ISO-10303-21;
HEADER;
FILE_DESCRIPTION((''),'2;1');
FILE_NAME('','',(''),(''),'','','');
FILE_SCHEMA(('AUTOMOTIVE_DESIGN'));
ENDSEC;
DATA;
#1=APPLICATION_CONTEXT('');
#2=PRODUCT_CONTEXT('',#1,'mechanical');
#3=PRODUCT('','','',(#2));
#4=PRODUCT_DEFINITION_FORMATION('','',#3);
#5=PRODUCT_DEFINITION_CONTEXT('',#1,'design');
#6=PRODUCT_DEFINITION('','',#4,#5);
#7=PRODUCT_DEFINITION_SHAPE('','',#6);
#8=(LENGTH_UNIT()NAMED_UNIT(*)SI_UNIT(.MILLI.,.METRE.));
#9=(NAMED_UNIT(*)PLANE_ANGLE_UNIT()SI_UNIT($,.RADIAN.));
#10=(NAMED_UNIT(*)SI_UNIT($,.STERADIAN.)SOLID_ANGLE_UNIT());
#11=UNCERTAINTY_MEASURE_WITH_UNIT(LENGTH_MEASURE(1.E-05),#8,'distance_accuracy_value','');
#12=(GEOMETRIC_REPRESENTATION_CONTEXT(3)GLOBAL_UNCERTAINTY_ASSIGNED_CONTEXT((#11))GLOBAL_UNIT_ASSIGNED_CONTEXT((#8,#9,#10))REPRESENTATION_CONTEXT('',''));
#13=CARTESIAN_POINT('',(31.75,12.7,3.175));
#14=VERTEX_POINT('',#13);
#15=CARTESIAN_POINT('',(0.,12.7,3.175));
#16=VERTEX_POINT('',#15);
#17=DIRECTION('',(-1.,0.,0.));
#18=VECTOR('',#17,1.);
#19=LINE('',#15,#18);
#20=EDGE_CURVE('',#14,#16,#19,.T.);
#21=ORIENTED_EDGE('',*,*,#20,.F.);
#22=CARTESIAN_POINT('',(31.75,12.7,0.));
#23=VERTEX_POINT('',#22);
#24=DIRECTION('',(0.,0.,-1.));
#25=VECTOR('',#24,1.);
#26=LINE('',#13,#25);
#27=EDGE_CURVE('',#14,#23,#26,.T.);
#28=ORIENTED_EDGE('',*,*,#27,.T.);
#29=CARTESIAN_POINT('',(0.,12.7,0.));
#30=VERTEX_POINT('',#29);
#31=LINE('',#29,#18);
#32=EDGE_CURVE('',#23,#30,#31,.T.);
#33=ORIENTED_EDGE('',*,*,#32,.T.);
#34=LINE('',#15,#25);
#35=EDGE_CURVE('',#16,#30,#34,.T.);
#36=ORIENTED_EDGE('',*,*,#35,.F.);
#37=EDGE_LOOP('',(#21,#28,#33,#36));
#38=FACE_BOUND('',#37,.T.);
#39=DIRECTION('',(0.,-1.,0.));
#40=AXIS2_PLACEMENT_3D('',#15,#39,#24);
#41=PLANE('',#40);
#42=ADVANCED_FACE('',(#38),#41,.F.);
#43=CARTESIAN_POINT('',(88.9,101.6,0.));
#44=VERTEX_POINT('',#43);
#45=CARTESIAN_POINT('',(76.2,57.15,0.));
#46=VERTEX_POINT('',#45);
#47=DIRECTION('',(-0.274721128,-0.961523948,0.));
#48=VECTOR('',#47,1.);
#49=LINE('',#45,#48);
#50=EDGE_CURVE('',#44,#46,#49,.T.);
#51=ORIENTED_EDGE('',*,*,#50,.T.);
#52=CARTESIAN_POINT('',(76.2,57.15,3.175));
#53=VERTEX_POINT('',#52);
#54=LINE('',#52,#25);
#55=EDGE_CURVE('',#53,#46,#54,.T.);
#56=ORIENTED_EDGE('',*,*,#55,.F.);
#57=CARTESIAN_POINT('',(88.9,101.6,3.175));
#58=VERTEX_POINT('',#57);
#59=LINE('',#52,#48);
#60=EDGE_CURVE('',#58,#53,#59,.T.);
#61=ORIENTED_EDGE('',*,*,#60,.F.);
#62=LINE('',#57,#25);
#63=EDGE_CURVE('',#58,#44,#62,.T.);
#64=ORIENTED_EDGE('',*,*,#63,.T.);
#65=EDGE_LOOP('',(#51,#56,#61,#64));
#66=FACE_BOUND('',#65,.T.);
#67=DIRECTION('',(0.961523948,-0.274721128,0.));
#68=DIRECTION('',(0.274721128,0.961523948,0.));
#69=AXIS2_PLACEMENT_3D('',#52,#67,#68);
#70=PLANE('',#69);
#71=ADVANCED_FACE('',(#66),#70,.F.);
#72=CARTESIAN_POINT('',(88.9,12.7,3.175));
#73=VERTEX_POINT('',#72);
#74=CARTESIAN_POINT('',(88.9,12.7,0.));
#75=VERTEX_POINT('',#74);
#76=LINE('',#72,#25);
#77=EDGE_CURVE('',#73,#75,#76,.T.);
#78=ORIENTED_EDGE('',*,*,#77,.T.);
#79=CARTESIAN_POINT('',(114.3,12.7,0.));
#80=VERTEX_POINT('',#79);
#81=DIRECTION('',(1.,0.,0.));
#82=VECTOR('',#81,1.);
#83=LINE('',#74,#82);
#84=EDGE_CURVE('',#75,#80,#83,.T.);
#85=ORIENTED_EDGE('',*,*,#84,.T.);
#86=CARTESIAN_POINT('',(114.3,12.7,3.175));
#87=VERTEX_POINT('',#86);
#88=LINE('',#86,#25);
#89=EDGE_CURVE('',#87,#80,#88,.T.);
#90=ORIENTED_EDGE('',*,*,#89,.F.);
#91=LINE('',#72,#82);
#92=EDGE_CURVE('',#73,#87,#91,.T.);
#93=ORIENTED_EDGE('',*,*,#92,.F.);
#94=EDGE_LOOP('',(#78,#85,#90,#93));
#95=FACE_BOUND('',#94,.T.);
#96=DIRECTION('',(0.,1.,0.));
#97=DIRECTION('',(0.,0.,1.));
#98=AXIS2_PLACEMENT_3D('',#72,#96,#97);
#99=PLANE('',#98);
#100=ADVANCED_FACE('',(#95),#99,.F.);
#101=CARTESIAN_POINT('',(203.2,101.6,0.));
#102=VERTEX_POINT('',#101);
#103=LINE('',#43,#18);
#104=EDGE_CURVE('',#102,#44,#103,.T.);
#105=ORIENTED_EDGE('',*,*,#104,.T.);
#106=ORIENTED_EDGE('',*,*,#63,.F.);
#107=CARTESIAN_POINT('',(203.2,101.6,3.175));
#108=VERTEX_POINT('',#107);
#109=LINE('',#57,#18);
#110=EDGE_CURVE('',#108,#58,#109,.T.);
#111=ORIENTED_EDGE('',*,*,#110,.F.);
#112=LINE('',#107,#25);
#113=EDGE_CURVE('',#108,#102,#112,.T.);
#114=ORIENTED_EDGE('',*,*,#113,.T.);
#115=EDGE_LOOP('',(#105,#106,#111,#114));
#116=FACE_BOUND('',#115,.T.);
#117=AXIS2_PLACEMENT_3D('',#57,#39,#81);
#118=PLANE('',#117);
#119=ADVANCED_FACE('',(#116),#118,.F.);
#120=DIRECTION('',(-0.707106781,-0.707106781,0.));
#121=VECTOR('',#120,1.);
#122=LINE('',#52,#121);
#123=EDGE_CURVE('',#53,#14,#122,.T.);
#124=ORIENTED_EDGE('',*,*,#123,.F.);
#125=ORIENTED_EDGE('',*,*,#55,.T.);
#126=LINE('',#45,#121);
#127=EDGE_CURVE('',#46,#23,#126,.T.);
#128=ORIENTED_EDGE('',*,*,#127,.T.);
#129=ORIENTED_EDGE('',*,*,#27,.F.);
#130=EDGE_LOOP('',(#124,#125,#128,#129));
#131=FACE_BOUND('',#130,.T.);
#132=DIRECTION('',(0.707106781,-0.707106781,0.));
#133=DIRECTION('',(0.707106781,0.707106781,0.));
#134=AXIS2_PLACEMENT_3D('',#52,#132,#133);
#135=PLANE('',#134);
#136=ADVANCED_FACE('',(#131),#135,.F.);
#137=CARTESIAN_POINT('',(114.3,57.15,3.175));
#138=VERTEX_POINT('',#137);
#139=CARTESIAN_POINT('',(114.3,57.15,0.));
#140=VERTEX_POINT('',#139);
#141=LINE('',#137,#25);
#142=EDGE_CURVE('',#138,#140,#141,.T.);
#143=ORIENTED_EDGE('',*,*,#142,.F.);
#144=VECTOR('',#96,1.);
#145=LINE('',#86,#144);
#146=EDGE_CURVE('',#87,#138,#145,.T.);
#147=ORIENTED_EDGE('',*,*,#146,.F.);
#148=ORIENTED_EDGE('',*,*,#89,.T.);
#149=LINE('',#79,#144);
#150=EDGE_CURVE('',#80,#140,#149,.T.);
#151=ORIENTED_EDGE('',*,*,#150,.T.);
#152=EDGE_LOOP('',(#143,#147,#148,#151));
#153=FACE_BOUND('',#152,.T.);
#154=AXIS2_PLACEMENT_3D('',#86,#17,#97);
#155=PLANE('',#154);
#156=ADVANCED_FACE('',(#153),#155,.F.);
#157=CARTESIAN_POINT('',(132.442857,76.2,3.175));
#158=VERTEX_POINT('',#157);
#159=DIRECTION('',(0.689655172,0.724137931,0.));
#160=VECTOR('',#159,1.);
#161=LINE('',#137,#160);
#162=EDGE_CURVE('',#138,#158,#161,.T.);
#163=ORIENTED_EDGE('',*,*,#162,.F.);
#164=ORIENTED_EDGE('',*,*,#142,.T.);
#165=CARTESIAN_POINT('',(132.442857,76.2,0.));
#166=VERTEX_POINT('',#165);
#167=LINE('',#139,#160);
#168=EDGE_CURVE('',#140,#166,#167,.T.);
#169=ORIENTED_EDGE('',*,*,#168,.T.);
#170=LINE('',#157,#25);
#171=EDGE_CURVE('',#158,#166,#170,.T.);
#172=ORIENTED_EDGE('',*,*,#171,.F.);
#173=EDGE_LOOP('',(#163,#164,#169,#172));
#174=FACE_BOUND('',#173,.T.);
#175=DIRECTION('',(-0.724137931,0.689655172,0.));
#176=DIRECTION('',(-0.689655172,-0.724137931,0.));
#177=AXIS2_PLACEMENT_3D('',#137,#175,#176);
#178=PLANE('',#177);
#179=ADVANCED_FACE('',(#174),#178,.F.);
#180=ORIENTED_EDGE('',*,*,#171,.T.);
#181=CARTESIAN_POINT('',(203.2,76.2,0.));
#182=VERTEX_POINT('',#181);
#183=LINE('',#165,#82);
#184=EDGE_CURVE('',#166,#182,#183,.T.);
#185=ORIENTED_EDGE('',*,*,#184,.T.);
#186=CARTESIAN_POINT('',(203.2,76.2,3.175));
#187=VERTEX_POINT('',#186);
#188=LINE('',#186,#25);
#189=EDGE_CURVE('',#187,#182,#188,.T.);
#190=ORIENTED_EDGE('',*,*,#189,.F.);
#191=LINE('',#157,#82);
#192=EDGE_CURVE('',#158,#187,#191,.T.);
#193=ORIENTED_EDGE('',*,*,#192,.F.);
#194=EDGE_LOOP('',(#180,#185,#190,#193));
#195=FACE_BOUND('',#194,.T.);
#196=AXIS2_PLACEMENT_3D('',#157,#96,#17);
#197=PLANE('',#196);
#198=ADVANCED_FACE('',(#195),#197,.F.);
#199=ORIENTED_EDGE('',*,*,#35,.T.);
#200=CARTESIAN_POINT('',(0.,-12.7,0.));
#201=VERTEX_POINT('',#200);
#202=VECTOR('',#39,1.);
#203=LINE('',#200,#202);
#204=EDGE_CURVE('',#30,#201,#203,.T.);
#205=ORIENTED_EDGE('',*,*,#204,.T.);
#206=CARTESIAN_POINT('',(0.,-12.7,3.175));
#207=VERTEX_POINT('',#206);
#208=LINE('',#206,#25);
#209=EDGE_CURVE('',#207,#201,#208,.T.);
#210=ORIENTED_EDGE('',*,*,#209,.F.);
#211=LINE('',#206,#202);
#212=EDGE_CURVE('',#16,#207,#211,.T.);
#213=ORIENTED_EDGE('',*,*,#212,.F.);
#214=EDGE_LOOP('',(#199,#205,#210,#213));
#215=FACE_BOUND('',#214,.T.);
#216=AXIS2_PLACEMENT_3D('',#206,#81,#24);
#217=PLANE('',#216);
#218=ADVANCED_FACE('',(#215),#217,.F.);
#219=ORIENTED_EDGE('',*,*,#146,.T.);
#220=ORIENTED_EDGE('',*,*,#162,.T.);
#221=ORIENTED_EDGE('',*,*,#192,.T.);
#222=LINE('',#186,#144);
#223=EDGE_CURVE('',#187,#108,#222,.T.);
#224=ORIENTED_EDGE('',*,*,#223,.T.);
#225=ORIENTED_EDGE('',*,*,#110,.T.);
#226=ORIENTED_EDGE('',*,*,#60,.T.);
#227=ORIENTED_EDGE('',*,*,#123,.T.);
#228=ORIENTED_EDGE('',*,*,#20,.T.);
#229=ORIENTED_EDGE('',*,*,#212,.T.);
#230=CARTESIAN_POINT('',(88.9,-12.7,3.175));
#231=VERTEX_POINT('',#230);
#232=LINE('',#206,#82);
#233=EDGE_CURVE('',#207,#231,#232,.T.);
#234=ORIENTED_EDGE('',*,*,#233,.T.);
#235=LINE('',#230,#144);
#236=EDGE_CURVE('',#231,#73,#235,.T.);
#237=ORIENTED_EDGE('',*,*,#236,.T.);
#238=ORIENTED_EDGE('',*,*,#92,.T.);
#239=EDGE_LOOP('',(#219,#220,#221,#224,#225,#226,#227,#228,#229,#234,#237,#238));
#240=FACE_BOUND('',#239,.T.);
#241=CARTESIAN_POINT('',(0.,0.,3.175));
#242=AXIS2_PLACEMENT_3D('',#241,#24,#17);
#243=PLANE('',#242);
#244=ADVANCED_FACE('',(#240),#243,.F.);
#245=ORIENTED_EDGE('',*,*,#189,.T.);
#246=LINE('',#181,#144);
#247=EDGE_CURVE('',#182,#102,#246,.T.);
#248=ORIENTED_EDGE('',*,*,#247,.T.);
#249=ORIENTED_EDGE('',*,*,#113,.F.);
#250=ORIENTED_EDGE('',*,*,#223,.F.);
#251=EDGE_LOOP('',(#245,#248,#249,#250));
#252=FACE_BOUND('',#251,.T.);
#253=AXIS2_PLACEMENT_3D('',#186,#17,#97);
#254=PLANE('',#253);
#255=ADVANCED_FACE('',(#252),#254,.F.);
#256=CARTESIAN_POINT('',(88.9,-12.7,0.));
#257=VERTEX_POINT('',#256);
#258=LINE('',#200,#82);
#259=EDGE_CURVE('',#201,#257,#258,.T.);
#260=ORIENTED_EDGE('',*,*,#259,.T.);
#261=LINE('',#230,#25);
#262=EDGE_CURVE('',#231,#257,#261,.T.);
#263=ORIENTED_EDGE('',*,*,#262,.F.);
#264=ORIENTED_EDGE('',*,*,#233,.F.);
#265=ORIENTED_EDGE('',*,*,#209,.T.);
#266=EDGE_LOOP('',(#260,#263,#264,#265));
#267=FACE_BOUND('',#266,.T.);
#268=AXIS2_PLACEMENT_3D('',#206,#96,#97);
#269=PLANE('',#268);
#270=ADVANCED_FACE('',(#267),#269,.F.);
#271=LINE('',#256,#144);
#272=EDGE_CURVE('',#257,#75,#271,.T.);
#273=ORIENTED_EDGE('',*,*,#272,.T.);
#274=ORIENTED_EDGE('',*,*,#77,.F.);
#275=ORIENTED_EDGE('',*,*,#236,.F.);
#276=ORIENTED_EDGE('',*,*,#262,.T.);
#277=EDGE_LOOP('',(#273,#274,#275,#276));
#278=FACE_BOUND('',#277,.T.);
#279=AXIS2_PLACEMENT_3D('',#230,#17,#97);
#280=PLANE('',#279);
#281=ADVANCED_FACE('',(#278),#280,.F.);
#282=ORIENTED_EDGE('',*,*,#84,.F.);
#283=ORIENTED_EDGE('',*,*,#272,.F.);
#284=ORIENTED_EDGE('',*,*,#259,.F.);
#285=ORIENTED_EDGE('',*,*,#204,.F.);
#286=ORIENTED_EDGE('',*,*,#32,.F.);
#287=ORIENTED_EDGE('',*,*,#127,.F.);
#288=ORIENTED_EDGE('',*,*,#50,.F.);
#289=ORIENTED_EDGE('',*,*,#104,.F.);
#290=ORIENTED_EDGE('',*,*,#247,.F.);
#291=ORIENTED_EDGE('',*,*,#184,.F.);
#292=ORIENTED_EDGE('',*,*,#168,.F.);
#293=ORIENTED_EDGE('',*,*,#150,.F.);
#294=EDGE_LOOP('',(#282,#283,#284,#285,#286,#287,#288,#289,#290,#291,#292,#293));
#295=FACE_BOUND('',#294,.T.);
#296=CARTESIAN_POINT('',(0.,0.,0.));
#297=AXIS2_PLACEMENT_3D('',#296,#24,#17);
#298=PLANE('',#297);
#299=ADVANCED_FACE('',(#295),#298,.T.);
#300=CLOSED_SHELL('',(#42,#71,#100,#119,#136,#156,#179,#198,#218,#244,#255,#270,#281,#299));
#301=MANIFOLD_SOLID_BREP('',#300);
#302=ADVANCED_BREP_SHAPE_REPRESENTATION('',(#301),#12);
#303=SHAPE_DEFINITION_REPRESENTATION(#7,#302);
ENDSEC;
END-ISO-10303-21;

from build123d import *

# Parameters (mm, degrees)
BOSS_EXTRUDE1_DEPTH = 3.175


with BuildPart() as part:
    # Sketch1 → Boss-Extrude1 (new body)
    with BuildSketch(Plane.XY):
        Polygon((0, -12.7), (88.9, -12.7), (88.9, 12.7), (114.3, 12.7), (114.3, 57.15), (132.442857143, 76.2), (203.2, 76.2), (203.2, 101.6), (88.9, 101.6), (76.2, 57.15), (31.75, 12.7), (0, 12.7), align=None)
    extrude(amount=BOSS_EXTRUDE1_DEPTH)


solid = part.part
